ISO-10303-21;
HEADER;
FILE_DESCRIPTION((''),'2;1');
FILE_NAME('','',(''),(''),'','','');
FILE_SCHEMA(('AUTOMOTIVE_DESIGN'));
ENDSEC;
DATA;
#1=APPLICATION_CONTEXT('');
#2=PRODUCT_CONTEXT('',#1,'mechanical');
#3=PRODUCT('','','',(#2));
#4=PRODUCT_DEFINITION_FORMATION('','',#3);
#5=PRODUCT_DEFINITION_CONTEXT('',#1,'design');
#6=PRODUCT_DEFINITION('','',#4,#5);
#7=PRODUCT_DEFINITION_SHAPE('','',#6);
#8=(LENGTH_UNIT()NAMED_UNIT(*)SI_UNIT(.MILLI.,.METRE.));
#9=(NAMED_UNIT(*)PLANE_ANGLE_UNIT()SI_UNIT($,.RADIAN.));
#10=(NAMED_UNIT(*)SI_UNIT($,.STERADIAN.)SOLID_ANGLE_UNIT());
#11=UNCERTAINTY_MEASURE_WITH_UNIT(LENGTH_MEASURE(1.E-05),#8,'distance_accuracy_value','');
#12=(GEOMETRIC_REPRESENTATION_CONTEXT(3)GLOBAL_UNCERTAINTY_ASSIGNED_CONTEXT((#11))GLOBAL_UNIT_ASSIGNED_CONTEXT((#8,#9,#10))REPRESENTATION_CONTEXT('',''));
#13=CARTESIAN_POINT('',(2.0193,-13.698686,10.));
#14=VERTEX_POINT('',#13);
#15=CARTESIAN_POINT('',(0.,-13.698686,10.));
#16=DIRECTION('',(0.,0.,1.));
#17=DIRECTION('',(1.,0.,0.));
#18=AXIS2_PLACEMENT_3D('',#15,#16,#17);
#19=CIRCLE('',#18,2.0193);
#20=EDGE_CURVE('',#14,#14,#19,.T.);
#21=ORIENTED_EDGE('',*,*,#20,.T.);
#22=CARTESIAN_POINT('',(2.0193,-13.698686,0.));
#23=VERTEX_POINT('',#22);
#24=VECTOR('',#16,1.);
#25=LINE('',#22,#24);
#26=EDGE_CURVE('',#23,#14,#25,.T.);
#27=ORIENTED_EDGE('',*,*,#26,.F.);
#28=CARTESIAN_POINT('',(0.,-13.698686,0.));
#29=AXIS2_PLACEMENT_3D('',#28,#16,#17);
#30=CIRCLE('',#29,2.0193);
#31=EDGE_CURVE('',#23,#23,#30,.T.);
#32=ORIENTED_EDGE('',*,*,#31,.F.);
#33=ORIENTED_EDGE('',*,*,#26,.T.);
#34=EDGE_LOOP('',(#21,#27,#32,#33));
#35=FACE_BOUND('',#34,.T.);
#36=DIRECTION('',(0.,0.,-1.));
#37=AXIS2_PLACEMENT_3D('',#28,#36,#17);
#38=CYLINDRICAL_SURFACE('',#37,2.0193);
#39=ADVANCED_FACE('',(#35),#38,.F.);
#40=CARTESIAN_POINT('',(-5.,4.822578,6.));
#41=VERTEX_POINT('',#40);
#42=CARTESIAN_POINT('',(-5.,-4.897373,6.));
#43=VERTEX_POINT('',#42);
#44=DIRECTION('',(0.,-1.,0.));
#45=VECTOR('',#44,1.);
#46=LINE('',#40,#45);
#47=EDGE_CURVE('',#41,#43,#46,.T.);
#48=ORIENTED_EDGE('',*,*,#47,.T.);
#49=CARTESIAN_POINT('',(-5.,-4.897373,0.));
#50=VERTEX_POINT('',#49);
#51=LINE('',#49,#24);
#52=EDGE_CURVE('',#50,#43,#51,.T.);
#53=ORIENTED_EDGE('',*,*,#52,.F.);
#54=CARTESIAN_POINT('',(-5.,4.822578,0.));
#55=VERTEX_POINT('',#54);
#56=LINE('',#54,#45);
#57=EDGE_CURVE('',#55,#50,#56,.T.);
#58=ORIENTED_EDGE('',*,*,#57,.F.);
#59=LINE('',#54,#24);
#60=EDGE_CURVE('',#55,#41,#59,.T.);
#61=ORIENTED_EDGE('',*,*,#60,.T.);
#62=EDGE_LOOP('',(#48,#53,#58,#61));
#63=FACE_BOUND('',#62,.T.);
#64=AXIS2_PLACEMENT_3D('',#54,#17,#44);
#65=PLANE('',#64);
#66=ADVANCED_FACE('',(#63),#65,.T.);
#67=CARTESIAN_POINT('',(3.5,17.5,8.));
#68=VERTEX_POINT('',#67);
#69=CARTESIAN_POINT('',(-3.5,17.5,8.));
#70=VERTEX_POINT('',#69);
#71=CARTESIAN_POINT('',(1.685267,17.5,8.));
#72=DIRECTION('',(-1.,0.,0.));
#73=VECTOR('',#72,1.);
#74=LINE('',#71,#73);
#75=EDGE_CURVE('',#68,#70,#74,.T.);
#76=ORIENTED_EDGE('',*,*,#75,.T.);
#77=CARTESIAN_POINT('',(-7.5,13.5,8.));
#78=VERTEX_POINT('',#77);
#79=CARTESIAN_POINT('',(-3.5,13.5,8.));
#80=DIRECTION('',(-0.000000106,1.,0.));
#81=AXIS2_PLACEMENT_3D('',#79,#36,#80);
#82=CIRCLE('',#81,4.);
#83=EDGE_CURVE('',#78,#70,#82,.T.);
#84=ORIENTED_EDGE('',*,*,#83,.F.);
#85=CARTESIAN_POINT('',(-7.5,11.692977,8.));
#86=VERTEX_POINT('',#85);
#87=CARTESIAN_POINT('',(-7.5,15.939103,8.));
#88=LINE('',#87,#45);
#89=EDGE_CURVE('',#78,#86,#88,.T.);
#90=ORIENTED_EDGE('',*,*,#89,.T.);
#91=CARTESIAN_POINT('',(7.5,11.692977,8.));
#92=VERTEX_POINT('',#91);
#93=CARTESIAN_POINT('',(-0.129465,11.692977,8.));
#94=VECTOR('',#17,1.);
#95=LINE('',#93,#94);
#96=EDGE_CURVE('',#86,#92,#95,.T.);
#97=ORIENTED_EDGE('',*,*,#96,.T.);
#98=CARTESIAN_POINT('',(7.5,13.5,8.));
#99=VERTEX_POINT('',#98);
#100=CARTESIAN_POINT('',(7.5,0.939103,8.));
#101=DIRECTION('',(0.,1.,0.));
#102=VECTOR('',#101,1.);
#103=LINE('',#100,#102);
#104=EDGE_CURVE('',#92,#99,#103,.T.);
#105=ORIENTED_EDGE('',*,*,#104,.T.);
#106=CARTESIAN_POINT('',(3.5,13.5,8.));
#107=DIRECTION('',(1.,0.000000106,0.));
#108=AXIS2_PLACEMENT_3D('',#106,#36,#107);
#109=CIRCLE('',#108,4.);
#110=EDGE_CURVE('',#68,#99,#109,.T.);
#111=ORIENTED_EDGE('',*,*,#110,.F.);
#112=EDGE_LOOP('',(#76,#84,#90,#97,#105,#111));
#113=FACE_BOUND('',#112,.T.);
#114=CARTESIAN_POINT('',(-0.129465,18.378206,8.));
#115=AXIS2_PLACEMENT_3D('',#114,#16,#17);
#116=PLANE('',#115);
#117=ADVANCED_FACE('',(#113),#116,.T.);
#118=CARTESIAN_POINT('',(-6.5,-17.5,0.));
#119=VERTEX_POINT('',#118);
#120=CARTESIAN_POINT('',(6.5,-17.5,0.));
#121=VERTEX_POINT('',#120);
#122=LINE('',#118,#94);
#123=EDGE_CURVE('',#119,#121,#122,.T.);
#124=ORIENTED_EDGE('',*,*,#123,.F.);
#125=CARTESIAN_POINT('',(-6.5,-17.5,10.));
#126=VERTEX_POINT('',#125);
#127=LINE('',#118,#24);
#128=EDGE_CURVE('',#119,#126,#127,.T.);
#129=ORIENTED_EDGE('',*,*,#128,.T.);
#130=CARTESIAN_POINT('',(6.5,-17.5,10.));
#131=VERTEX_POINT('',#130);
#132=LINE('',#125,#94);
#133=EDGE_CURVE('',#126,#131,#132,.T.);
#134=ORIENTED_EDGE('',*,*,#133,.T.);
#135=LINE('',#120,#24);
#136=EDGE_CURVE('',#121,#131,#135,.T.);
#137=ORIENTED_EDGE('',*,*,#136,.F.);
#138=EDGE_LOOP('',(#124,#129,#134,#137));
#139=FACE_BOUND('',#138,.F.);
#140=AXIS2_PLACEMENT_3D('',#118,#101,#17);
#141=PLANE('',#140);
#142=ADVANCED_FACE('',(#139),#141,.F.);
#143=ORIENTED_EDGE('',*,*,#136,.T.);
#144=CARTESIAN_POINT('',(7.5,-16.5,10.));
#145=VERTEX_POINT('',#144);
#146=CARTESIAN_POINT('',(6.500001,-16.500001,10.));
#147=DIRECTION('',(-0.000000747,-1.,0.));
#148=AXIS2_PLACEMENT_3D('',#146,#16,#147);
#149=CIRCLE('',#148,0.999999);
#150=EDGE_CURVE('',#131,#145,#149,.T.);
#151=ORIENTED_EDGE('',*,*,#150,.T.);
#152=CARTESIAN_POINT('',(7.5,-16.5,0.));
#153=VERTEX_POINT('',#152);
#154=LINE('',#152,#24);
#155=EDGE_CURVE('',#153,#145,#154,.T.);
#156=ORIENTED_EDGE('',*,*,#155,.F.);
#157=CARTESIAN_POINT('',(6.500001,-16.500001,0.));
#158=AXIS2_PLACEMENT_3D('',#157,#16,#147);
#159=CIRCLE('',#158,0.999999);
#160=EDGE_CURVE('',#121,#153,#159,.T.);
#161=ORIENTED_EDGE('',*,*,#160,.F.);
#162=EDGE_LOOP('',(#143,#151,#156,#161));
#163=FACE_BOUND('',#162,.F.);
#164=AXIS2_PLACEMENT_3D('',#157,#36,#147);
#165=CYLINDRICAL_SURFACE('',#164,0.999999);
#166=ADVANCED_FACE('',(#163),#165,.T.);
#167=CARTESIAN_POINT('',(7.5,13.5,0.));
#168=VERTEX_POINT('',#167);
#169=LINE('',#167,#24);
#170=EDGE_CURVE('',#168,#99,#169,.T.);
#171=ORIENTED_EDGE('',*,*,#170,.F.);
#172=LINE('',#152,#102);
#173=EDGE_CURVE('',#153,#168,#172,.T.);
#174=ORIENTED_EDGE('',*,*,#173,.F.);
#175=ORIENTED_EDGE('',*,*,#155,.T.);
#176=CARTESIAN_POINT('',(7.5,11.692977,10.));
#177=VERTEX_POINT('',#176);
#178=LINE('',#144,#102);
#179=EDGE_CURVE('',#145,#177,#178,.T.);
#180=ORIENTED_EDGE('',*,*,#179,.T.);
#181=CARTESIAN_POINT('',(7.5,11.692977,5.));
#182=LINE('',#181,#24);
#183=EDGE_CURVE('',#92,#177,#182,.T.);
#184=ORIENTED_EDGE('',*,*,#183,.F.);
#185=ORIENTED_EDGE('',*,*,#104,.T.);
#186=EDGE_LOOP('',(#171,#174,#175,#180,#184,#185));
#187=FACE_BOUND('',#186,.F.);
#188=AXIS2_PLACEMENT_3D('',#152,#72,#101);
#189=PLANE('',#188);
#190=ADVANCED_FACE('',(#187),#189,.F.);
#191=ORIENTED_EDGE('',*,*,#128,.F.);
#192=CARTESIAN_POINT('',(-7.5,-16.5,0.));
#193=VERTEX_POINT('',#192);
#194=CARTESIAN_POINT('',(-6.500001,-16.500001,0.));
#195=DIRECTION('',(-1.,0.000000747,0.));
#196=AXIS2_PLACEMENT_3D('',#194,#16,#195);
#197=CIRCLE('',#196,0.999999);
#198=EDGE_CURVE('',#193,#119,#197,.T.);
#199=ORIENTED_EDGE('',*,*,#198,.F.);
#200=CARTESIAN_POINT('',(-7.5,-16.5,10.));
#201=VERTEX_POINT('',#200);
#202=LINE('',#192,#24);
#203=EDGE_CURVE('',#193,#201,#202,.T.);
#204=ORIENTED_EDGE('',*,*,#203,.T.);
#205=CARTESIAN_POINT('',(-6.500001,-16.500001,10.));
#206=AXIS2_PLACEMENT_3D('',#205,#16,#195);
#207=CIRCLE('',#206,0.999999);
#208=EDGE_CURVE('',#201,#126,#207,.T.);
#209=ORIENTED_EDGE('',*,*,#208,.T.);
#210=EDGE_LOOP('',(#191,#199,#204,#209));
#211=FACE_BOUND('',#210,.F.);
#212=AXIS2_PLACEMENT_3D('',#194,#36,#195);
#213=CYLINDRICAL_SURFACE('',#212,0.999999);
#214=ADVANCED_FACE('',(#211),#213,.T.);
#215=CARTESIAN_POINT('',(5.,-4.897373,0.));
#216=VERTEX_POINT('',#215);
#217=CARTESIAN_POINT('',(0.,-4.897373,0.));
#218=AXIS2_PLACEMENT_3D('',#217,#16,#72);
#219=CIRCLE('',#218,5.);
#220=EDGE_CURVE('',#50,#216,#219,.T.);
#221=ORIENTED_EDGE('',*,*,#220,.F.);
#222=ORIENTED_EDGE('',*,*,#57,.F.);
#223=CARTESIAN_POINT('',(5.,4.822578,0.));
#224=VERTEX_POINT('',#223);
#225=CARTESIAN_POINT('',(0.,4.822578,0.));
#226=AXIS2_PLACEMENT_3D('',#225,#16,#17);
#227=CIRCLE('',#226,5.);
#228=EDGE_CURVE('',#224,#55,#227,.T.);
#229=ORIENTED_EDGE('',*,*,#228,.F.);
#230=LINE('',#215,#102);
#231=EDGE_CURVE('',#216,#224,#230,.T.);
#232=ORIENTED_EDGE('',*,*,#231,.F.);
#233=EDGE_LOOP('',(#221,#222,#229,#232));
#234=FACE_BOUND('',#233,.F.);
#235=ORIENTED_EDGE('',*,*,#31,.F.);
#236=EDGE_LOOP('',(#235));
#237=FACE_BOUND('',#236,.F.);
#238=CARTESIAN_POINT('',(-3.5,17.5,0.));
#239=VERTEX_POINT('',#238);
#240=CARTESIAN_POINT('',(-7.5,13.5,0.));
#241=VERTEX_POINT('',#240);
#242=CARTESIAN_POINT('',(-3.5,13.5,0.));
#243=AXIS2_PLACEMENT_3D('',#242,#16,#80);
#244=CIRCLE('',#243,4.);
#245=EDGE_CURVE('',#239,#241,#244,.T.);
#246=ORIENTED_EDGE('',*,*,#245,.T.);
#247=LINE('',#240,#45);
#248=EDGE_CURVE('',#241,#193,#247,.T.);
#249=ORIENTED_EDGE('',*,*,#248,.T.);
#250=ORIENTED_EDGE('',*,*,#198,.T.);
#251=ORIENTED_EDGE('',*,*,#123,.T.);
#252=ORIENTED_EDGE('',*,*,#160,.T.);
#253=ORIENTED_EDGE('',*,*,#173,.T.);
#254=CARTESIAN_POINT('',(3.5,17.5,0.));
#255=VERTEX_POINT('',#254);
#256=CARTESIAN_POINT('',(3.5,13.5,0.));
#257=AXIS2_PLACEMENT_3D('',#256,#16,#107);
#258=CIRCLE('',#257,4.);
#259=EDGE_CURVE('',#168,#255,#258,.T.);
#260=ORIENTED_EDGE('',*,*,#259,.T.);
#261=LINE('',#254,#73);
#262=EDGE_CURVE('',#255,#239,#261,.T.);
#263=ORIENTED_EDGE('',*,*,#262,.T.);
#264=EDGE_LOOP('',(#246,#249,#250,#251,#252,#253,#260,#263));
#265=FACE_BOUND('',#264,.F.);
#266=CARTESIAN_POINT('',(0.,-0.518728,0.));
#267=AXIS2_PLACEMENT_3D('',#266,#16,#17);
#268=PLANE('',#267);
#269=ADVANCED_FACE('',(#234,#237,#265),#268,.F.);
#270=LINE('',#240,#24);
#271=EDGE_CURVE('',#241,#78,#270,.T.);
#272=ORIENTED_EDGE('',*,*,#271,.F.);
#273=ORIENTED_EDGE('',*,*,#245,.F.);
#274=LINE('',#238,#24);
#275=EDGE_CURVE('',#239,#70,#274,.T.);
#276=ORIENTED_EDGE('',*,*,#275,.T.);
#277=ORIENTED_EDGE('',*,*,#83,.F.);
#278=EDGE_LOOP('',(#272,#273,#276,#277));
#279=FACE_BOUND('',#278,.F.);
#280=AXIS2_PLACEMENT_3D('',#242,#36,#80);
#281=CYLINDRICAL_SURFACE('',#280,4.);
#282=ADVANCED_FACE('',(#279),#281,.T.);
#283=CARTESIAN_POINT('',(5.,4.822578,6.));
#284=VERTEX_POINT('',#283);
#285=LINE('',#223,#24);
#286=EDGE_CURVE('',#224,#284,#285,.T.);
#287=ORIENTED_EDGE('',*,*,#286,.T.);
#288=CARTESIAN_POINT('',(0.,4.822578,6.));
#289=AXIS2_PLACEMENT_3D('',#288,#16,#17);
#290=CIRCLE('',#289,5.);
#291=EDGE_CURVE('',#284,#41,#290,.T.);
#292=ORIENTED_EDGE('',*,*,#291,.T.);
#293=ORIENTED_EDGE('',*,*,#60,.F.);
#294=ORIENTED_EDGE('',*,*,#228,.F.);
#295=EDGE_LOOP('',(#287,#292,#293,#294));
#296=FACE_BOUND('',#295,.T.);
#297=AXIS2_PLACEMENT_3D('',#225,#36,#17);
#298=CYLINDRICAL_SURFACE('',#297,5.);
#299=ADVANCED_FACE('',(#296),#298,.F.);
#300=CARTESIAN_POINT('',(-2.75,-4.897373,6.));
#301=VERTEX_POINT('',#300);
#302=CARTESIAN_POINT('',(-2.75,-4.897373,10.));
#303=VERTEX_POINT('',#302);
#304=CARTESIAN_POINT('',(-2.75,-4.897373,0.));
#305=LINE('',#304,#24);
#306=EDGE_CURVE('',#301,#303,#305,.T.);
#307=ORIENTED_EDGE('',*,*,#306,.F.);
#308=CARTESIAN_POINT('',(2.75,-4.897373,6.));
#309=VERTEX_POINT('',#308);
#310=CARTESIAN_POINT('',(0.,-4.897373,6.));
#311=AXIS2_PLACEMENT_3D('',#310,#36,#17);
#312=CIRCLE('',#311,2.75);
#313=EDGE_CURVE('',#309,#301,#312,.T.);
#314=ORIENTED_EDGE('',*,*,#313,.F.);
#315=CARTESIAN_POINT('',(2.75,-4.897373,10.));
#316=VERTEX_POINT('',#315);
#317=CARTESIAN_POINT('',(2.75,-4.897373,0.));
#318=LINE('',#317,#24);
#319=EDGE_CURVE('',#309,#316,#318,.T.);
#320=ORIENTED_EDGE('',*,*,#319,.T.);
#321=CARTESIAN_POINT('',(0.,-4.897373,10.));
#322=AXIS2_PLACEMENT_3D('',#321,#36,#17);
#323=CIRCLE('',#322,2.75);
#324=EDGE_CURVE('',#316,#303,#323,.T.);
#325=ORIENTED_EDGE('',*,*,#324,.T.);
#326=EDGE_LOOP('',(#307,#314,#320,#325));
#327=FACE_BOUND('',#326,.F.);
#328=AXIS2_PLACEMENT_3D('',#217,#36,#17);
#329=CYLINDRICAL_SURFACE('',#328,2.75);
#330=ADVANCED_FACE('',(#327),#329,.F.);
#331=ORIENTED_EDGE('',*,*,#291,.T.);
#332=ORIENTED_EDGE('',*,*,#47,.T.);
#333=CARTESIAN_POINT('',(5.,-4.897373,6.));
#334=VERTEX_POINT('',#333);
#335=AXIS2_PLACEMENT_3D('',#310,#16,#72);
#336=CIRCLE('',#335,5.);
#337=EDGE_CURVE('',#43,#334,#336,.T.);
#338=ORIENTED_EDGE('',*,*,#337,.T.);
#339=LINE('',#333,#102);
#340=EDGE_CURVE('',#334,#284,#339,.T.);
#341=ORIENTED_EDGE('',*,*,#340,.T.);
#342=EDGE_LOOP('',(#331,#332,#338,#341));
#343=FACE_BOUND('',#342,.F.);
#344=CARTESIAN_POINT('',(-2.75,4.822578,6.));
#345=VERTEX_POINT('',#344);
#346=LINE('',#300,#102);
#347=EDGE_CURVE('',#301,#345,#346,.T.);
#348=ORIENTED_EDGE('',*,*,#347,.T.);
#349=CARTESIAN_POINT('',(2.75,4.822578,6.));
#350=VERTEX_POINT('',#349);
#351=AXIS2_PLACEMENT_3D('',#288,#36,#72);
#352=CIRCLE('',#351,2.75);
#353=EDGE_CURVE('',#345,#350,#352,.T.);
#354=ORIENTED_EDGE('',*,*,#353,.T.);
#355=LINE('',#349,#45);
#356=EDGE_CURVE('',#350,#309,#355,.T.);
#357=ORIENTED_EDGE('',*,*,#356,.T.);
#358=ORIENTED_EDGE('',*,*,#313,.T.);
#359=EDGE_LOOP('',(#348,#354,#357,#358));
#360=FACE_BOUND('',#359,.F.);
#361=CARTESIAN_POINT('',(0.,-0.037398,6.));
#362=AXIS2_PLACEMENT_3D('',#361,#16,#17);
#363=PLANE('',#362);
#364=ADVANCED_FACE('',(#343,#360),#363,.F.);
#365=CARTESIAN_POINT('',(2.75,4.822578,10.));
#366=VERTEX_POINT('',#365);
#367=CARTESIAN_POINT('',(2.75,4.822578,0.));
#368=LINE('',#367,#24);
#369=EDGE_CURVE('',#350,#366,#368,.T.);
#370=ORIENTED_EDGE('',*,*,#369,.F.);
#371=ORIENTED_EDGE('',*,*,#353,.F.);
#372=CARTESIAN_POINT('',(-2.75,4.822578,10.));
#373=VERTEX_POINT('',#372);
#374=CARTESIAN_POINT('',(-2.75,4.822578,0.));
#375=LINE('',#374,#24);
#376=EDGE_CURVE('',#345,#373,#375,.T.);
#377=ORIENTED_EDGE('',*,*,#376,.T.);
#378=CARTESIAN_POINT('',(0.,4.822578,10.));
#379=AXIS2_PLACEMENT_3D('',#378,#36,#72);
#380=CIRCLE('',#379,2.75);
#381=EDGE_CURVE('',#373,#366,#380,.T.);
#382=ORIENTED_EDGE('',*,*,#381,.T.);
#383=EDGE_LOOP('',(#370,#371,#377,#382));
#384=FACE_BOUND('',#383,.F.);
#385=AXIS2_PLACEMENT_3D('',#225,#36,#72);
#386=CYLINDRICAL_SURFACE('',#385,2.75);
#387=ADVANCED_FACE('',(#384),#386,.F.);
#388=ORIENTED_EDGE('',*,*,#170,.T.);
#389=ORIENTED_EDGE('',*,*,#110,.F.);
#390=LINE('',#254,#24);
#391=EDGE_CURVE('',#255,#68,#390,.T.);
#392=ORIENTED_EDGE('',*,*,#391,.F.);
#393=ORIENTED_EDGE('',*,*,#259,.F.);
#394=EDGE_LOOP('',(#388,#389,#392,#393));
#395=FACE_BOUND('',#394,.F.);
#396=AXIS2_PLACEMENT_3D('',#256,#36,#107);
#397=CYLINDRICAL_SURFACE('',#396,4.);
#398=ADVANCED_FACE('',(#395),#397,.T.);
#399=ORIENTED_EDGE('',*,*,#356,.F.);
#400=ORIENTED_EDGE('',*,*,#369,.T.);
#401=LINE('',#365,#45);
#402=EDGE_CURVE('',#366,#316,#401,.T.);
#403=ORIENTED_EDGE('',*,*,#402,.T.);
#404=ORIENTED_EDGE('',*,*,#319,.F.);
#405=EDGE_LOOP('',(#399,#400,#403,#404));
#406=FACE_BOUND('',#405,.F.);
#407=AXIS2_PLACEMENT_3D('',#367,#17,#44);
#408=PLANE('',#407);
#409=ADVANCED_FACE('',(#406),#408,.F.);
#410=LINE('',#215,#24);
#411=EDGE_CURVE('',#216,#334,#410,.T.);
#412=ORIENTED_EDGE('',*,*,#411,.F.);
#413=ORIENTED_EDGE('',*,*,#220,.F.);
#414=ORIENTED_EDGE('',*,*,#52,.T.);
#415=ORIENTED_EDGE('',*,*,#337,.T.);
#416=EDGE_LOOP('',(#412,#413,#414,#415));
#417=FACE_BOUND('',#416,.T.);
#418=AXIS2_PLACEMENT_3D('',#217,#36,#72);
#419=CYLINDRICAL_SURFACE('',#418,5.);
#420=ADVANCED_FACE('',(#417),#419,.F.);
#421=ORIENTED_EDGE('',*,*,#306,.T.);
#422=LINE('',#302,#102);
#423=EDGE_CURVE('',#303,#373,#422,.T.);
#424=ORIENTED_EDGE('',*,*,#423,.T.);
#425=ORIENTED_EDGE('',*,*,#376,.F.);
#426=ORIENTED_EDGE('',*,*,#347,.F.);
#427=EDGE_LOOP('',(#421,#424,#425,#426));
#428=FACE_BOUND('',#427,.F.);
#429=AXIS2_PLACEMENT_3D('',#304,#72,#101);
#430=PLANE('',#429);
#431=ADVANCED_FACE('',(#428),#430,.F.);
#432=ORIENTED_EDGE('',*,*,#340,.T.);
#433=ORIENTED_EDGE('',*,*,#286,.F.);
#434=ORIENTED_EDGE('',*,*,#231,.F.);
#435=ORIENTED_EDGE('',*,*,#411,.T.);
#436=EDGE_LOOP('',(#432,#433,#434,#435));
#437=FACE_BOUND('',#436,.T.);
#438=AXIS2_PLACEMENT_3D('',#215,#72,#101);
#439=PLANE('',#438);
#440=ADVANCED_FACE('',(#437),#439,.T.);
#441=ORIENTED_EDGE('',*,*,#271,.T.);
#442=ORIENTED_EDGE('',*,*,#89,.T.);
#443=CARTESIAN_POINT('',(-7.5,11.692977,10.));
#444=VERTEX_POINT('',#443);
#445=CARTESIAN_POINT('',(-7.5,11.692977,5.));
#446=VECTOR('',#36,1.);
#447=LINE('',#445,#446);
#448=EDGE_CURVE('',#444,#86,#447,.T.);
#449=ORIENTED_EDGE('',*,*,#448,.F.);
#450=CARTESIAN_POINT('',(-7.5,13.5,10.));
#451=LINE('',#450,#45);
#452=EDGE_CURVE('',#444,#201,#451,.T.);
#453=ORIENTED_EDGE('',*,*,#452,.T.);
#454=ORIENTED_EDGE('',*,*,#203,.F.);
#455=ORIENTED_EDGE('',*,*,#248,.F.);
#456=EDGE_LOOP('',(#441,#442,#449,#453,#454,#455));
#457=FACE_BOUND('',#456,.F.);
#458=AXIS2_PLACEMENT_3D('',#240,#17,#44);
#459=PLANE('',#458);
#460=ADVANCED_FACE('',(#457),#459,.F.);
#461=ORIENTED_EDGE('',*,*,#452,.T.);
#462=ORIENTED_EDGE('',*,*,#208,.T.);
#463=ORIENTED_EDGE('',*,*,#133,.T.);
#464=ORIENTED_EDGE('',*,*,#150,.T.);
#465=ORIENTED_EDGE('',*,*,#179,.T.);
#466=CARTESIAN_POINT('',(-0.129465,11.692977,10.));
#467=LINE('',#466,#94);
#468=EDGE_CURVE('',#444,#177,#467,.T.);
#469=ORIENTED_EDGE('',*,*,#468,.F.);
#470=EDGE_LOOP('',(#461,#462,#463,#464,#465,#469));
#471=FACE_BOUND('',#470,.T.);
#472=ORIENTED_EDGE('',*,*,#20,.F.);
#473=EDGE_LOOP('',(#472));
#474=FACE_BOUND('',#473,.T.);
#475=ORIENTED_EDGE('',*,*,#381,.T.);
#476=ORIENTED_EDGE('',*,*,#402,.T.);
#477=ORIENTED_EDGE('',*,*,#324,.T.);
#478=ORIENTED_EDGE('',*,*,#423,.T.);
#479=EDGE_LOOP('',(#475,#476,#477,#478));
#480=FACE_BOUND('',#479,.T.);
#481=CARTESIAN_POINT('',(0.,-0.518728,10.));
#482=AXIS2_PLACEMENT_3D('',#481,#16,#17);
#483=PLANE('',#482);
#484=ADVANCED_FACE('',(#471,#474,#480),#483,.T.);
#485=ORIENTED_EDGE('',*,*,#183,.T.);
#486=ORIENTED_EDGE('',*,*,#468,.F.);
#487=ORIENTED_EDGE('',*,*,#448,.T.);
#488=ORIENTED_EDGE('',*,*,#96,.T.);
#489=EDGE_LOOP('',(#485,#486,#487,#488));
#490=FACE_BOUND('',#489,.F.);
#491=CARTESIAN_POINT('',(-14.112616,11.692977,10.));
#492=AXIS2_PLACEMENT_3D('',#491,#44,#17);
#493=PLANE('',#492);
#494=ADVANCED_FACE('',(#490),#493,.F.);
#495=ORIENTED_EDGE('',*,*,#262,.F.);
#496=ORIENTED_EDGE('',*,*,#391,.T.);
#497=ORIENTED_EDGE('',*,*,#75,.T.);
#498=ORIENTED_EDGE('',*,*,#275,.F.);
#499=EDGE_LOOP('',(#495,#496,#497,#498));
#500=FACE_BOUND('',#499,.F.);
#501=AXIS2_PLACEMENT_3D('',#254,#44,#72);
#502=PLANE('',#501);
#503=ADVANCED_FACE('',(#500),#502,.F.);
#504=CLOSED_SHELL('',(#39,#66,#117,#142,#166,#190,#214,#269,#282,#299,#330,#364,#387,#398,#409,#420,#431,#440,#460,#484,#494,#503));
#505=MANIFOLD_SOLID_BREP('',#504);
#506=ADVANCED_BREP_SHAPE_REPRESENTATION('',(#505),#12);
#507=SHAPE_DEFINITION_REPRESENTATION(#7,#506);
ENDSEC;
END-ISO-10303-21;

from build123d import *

# Parameters (mm, degrees)
F0_R     = 2.0193
F1_DEPTH = 10
F2_W     = 27.966302
F2_H     = 13.370458
F3_DEPTH = 2
F4_DEPTH = 6


with BuildPart() as f1:
    # F0 (on Top) → F1 (new body)
    with BuildSketch(Plane.XY):
        with BuildLine():
            Line((-6.5, -17.5), (6.5, -17.5))
            ThreePointArc((6.5, -17.5), (7.207107, -17.207107), (7.5, -16.5))
            Line((7.5, -16.5), (7.5, 13.5))
            ThreePointArc((7.5, 13.5), (6.328427, 16.328427), (3.5, 17.5))
            Line((3.5, 17.5), (-3.5, 17.5))
            ThreePointArc((-3.5, 17.5), (-6.328427, 16.328427), (-7.5, 13.5))
            Line((-7.5, 13.5), (-7.5, -16.5))
            ThreePointArc((-7.5, -16.5), (-7.207107, -17.207107), (-6.5, -17.5))
        make_face()
        with Locations((0, -13.698686)):
            Circle(F0_R, mode=Mode.SUBTRACT)
        with BuildLine():
            Line((-5, -4.897373), (-5, 4.822578))
            ThreePointArc((-5, 4.822578), (0, 9.822578), (5, 4.822578))
            Line((5, 4.822578), (5, -4.897373))
            ThreePointArc((5, -4.897373), (0, -9.897373), (-5, -4.897373))
        make_face(mode=Mode.SUBTRACT)
        with BuildLine():
            ThreePointArc((5, 4.822578), (0, 9.822578), (-5, 4.822578))
            Line((-5, 4.822578), (-5, -4.897373))
            ThreePointArc((-5, -4.897373), (0, -9.897373), (5, -4.897373))
            Line((5, -4.897373), (5, 4.822578))
        make_face()
        with BuildLine():
            Line((-2.75, -4.897373), (-2.75, 4.822578))
            ThreePointArc((-2.75, 4.822578), (0, 7.572578), (2.75, 4.822578))
            Line((2.75, 4.822578), (2.75, -4.897373))
            ThreePointArc((2.75, -4.897373), (0, -7.647373), (-2.75, -4.897373))
        make_face(mode=Mode.SUBTRACT)
    extrude(amount=F1_DEPTH)

    # F2 (on face) → F3 (cut)
    with BuildSketch(Plane.XY.offset(10)):
        with Locations((-0.129465, 18.378206)):
            Rectangle(F2_W, F2_H)
    extrude(amount=-F3_DEPTH, mode=Mode.SUBTRACT)

    # F0 (on Top) → F4 (cut)
    with BuildSketch(Plane.XY):
        with BuildLine():
            ThreePointArc((5, 4.822578), (0, 9.822578), (-5, 4.822578))
            Line((-5, 4.822578), (-5, -4.897373))
            ThreePointArc((-5, -4.897373), (0, -9.897373), (5, -4.897373))
            Line((5, -4.897373), (5, 4.822578))
        make_face()
        with BuildLine():
            Line((-2.75, -4.897373), (-2.75, 4.822578))
            ThreePointArc((-2.75, 4.822578), (0, 7.572578), (2.75, 4.822578))
            Line((2.75, 4.822578), (2.75, -4.897373))
            ThreePointArc((2.75, -4.897373), (0, -7.647373), (-2.75, -4.897373))
        make_face(mode=Mode.SUBTRACT)
    extrude(amount=F4_DEPTH, mode=Mode.SUBTRACT)


solid = f1.part
